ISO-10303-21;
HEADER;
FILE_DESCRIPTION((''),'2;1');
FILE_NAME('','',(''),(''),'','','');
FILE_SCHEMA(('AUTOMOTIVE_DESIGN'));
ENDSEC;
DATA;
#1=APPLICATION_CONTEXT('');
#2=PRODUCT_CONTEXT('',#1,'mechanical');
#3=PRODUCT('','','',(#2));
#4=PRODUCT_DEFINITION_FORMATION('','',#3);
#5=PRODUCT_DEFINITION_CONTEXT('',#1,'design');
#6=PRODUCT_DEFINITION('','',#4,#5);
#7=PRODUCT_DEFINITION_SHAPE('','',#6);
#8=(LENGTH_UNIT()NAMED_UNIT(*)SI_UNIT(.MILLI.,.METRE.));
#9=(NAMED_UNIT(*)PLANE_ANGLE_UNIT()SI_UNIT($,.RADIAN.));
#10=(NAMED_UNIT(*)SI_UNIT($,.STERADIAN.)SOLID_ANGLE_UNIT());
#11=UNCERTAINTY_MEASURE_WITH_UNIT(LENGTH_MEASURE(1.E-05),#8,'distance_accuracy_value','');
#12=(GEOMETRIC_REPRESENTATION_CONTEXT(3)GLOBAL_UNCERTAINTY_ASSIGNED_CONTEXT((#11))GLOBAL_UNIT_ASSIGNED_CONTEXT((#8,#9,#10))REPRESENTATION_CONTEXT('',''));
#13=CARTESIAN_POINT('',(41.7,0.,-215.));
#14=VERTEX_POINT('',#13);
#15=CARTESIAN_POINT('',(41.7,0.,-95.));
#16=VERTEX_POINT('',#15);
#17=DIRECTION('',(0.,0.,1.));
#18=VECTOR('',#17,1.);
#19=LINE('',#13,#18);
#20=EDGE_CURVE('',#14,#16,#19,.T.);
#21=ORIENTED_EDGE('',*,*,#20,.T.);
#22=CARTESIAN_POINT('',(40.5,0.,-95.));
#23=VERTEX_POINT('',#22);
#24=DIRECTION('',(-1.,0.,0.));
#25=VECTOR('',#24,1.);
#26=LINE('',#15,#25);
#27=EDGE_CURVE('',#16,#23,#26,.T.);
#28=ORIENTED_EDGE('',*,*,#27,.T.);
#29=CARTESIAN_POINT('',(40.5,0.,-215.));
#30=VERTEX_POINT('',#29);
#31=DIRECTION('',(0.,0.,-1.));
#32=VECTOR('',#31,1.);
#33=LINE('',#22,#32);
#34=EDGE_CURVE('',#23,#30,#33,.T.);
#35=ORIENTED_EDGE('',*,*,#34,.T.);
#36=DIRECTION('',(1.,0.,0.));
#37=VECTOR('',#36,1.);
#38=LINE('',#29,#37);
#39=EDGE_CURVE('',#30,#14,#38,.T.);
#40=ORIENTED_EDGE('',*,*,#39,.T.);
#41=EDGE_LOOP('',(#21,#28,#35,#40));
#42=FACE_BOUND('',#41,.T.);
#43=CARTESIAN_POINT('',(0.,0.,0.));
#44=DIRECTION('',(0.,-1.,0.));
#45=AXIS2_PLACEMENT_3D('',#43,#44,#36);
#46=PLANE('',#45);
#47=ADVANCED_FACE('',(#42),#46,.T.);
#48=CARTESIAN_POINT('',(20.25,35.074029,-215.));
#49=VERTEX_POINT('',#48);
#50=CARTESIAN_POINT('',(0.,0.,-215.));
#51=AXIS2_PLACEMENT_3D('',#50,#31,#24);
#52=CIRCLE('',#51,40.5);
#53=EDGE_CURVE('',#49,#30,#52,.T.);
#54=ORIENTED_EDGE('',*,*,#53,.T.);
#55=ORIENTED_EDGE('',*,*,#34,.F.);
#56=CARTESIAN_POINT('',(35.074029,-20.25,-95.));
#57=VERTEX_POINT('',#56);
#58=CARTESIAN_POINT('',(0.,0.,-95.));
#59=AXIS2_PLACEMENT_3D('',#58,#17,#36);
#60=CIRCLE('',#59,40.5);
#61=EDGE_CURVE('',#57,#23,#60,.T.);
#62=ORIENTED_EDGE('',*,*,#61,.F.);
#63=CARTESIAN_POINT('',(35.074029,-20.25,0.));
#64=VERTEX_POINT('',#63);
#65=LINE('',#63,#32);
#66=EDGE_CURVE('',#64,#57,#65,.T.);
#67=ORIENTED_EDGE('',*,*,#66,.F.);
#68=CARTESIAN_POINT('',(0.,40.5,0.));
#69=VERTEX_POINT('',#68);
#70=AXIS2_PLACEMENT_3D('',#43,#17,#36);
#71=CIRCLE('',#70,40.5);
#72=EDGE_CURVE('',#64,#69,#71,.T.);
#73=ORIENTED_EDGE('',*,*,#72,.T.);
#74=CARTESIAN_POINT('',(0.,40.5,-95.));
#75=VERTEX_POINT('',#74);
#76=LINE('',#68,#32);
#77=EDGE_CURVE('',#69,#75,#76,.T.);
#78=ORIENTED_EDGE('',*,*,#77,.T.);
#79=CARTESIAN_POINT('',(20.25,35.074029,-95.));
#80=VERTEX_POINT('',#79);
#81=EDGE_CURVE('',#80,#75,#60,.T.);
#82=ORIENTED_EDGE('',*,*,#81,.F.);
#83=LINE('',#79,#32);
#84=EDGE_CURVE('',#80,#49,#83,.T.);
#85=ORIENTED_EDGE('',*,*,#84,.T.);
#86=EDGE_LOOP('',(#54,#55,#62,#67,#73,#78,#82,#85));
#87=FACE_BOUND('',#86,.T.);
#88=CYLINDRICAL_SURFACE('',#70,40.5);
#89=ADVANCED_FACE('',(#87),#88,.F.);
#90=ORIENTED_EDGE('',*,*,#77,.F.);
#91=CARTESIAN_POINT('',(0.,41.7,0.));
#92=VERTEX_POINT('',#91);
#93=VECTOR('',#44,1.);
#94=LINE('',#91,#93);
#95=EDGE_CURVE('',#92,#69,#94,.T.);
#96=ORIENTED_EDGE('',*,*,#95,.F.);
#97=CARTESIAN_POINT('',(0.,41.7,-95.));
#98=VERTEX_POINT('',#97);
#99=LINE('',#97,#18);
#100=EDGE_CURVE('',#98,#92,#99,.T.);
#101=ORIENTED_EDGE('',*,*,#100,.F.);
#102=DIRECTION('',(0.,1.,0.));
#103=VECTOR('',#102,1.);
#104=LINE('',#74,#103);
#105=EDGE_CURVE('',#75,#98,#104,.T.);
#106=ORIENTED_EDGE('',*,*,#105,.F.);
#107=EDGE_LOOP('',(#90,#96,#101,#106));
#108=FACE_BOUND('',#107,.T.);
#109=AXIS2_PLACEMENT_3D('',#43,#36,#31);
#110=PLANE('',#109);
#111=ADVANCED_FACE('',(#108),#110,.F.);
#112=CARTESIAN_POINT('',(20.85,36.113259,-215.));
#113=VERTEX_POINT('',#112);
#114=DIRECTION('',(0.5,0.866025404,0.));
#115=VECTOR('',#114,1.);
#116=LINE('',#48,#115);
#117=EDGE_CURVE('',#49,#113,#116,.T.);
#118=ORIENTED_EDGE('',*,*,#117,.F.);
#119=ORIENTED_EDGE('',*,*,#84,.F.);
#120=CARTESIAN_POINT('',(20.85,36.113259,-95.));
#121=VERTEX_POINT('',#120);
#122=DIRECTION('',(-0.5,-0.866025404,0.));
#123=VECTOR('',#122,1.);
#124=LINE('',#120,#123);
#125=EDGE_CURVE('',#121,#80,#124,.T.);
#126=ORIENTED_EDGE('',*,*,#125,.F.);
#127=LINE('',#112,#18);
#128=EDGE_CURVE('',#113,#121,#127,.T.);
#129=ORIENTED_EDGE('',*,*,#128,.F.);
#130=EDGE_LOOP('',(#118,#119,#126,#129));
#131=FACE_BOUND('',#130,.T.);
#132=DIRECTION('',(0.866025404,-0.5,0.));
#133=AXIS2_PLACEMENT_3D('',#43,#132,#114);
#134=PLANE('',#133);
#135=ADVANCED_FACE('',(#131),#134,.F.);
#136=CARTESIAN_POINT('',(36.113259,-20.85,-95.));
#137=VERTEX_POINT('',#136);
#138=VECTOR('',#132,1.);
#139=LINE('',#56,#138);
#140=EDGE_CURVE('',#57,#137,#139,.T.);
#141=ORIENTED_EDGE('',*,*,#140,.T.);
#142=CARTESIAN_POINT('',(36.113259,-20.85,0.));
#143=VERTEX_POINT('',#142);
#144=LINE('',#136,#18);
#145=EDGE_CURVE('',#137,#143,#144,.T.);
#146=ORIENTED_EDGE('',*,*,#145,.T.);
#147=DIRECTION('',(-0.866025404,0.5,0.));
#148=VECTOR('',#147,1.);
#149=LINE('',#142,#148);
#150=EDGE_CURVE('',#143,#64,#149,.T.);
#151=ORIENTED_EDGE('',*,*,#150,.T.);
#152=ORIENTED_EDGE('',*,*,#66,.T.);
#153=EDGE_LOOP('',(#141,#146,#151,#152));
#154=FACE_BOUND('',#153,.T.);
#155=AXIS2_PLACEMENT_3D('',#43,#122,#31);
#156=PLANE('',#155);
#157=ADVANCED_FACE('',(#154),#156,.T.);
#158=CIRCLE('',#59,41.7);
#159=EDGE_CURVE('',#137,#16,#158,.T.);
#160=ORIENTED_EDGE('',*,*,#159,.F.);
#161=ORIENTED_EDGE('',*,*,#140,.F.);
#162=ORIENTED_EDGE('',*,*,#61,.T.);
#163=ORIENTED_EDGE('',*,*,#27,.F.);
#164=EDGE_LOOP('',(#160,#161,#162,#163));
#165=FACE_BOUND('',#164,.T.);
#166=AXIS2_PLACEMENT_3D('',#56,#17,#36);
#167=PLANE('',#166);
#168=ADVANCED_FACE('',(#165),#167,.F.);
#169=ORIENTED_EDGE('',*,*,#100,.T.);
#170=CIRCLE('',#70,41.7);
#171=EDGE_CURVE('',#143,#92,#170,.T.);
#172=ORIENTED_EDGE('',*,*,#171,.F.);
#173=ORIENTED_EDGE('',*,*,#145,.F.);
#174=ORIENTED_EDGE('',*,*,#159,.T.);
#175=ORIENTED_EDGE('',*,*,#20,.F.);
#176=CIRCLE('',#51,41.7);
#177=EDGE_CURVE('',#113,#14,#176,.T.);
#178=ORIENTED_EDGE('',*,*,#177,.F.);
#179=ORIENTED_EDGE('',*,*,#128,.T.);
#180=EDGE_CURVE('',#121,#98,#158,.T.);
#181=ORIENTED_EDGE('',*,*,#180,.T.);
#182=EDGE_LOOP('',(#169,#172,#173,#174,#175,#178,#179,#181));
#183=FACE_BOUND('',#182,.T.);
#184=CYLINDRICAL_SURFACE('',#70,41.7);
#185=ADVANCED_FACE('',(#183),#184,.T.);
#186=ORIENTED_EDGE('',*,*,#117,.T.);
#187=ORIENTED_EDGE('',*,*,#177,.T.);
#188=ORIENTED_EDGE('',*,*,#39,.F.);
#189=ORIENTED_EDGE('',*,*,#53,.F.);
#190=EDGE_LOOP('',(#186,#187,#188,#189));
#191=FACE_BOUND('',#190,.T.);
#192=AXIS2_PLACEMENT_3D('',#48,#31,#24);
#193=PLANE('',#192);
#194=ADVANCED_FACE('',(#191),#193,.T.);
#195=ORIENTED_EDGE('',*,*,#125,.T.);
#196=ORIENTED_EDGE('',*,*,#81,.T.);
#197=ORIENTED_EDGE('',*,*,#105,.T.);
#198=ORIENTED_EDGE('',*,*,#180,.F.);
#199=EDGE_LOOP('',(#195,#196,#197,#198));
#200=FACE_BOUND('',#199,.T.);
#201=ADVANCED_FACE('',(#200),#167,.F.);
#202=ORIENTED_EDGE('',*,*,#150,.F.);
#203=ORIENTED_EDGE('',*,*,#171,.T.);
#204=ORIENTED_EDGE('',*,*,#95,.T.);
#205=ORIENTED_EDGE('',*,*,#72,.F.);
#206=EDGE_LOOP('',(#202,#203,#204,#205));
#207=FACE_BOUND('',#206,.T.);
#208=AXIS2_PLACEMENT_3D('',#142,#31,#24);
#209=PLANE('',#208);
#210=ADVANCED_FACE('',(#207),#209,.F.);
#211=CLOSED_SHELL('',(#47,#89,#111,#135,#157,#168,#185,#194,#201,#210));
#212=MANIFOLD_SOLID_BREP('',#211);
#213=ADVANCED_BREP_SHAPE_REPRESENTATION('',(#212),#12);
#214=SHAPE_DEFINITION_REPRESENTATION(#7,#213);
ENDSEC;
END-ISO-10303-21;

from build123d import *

# Parameters (mm, degrees)
REVOLVE_1_ANGLE           = 120.00000000000027
REVOLVE_2_ANGLE           = 30.000000000000068
REVOLVE_2_OTHER_WAY_ANGLE = 30.000000000000068


with BuildPart() as part:
    # Эскиз1 → Повернуть1 (revolve)
    with BuildSketch(Plane(origin=(0, 0, 0), x_dir=(0, 0, -1), z_dir=(1, 0, 0))):
        Polygon((-2e-17, 41.7), (-4.23e-15, 40.5), (95, 40.5), (95, 41.70000000000002), align=None)
    revolve(axis=Axis((0, 0, 0), (0, 0, -1)), revolution_arc=REVOLVE_1_ANGLE)

    # Эскиз3 → Повернуть2 (revolve)
    with BuildSketch(Plane(origin=(0, 0, 0), x_dir=(0, 0, 1), z_dir=(0.499999999999998, -0.8660254037844398, 0))):
        Polygon((-95, -40.500000000000014), (-215, -40.50000000000003), (-215, -41.70000000000003), (-95, -41.700000000000024), align=None)
    revolve(axis=Axis((0, 0, -95), (0, 0, 1)), revolution_arc=REVOLVE_2_ANGLE)

    # Эскиз3 → Повернуть2 other way (revolve)
    with BuildSketch(Plane(origin=(0, 0, 0), x_dir=(0, 0, 1), z_dir=(0.499999999999998, -0.8660254037844398, 0))):
        Polygon((-95, -40.500000000000014), (-215, -40.50000000000003), (-215, -41.70000000000003), (-95, -41.700000000000024), align=None)
    revolve(axis=Axis((0, 0, -95), (0, 0, -1)), revolution_arc=REVOLVE_2_OTHER_WAY_ANGLE)


solid = part.part
